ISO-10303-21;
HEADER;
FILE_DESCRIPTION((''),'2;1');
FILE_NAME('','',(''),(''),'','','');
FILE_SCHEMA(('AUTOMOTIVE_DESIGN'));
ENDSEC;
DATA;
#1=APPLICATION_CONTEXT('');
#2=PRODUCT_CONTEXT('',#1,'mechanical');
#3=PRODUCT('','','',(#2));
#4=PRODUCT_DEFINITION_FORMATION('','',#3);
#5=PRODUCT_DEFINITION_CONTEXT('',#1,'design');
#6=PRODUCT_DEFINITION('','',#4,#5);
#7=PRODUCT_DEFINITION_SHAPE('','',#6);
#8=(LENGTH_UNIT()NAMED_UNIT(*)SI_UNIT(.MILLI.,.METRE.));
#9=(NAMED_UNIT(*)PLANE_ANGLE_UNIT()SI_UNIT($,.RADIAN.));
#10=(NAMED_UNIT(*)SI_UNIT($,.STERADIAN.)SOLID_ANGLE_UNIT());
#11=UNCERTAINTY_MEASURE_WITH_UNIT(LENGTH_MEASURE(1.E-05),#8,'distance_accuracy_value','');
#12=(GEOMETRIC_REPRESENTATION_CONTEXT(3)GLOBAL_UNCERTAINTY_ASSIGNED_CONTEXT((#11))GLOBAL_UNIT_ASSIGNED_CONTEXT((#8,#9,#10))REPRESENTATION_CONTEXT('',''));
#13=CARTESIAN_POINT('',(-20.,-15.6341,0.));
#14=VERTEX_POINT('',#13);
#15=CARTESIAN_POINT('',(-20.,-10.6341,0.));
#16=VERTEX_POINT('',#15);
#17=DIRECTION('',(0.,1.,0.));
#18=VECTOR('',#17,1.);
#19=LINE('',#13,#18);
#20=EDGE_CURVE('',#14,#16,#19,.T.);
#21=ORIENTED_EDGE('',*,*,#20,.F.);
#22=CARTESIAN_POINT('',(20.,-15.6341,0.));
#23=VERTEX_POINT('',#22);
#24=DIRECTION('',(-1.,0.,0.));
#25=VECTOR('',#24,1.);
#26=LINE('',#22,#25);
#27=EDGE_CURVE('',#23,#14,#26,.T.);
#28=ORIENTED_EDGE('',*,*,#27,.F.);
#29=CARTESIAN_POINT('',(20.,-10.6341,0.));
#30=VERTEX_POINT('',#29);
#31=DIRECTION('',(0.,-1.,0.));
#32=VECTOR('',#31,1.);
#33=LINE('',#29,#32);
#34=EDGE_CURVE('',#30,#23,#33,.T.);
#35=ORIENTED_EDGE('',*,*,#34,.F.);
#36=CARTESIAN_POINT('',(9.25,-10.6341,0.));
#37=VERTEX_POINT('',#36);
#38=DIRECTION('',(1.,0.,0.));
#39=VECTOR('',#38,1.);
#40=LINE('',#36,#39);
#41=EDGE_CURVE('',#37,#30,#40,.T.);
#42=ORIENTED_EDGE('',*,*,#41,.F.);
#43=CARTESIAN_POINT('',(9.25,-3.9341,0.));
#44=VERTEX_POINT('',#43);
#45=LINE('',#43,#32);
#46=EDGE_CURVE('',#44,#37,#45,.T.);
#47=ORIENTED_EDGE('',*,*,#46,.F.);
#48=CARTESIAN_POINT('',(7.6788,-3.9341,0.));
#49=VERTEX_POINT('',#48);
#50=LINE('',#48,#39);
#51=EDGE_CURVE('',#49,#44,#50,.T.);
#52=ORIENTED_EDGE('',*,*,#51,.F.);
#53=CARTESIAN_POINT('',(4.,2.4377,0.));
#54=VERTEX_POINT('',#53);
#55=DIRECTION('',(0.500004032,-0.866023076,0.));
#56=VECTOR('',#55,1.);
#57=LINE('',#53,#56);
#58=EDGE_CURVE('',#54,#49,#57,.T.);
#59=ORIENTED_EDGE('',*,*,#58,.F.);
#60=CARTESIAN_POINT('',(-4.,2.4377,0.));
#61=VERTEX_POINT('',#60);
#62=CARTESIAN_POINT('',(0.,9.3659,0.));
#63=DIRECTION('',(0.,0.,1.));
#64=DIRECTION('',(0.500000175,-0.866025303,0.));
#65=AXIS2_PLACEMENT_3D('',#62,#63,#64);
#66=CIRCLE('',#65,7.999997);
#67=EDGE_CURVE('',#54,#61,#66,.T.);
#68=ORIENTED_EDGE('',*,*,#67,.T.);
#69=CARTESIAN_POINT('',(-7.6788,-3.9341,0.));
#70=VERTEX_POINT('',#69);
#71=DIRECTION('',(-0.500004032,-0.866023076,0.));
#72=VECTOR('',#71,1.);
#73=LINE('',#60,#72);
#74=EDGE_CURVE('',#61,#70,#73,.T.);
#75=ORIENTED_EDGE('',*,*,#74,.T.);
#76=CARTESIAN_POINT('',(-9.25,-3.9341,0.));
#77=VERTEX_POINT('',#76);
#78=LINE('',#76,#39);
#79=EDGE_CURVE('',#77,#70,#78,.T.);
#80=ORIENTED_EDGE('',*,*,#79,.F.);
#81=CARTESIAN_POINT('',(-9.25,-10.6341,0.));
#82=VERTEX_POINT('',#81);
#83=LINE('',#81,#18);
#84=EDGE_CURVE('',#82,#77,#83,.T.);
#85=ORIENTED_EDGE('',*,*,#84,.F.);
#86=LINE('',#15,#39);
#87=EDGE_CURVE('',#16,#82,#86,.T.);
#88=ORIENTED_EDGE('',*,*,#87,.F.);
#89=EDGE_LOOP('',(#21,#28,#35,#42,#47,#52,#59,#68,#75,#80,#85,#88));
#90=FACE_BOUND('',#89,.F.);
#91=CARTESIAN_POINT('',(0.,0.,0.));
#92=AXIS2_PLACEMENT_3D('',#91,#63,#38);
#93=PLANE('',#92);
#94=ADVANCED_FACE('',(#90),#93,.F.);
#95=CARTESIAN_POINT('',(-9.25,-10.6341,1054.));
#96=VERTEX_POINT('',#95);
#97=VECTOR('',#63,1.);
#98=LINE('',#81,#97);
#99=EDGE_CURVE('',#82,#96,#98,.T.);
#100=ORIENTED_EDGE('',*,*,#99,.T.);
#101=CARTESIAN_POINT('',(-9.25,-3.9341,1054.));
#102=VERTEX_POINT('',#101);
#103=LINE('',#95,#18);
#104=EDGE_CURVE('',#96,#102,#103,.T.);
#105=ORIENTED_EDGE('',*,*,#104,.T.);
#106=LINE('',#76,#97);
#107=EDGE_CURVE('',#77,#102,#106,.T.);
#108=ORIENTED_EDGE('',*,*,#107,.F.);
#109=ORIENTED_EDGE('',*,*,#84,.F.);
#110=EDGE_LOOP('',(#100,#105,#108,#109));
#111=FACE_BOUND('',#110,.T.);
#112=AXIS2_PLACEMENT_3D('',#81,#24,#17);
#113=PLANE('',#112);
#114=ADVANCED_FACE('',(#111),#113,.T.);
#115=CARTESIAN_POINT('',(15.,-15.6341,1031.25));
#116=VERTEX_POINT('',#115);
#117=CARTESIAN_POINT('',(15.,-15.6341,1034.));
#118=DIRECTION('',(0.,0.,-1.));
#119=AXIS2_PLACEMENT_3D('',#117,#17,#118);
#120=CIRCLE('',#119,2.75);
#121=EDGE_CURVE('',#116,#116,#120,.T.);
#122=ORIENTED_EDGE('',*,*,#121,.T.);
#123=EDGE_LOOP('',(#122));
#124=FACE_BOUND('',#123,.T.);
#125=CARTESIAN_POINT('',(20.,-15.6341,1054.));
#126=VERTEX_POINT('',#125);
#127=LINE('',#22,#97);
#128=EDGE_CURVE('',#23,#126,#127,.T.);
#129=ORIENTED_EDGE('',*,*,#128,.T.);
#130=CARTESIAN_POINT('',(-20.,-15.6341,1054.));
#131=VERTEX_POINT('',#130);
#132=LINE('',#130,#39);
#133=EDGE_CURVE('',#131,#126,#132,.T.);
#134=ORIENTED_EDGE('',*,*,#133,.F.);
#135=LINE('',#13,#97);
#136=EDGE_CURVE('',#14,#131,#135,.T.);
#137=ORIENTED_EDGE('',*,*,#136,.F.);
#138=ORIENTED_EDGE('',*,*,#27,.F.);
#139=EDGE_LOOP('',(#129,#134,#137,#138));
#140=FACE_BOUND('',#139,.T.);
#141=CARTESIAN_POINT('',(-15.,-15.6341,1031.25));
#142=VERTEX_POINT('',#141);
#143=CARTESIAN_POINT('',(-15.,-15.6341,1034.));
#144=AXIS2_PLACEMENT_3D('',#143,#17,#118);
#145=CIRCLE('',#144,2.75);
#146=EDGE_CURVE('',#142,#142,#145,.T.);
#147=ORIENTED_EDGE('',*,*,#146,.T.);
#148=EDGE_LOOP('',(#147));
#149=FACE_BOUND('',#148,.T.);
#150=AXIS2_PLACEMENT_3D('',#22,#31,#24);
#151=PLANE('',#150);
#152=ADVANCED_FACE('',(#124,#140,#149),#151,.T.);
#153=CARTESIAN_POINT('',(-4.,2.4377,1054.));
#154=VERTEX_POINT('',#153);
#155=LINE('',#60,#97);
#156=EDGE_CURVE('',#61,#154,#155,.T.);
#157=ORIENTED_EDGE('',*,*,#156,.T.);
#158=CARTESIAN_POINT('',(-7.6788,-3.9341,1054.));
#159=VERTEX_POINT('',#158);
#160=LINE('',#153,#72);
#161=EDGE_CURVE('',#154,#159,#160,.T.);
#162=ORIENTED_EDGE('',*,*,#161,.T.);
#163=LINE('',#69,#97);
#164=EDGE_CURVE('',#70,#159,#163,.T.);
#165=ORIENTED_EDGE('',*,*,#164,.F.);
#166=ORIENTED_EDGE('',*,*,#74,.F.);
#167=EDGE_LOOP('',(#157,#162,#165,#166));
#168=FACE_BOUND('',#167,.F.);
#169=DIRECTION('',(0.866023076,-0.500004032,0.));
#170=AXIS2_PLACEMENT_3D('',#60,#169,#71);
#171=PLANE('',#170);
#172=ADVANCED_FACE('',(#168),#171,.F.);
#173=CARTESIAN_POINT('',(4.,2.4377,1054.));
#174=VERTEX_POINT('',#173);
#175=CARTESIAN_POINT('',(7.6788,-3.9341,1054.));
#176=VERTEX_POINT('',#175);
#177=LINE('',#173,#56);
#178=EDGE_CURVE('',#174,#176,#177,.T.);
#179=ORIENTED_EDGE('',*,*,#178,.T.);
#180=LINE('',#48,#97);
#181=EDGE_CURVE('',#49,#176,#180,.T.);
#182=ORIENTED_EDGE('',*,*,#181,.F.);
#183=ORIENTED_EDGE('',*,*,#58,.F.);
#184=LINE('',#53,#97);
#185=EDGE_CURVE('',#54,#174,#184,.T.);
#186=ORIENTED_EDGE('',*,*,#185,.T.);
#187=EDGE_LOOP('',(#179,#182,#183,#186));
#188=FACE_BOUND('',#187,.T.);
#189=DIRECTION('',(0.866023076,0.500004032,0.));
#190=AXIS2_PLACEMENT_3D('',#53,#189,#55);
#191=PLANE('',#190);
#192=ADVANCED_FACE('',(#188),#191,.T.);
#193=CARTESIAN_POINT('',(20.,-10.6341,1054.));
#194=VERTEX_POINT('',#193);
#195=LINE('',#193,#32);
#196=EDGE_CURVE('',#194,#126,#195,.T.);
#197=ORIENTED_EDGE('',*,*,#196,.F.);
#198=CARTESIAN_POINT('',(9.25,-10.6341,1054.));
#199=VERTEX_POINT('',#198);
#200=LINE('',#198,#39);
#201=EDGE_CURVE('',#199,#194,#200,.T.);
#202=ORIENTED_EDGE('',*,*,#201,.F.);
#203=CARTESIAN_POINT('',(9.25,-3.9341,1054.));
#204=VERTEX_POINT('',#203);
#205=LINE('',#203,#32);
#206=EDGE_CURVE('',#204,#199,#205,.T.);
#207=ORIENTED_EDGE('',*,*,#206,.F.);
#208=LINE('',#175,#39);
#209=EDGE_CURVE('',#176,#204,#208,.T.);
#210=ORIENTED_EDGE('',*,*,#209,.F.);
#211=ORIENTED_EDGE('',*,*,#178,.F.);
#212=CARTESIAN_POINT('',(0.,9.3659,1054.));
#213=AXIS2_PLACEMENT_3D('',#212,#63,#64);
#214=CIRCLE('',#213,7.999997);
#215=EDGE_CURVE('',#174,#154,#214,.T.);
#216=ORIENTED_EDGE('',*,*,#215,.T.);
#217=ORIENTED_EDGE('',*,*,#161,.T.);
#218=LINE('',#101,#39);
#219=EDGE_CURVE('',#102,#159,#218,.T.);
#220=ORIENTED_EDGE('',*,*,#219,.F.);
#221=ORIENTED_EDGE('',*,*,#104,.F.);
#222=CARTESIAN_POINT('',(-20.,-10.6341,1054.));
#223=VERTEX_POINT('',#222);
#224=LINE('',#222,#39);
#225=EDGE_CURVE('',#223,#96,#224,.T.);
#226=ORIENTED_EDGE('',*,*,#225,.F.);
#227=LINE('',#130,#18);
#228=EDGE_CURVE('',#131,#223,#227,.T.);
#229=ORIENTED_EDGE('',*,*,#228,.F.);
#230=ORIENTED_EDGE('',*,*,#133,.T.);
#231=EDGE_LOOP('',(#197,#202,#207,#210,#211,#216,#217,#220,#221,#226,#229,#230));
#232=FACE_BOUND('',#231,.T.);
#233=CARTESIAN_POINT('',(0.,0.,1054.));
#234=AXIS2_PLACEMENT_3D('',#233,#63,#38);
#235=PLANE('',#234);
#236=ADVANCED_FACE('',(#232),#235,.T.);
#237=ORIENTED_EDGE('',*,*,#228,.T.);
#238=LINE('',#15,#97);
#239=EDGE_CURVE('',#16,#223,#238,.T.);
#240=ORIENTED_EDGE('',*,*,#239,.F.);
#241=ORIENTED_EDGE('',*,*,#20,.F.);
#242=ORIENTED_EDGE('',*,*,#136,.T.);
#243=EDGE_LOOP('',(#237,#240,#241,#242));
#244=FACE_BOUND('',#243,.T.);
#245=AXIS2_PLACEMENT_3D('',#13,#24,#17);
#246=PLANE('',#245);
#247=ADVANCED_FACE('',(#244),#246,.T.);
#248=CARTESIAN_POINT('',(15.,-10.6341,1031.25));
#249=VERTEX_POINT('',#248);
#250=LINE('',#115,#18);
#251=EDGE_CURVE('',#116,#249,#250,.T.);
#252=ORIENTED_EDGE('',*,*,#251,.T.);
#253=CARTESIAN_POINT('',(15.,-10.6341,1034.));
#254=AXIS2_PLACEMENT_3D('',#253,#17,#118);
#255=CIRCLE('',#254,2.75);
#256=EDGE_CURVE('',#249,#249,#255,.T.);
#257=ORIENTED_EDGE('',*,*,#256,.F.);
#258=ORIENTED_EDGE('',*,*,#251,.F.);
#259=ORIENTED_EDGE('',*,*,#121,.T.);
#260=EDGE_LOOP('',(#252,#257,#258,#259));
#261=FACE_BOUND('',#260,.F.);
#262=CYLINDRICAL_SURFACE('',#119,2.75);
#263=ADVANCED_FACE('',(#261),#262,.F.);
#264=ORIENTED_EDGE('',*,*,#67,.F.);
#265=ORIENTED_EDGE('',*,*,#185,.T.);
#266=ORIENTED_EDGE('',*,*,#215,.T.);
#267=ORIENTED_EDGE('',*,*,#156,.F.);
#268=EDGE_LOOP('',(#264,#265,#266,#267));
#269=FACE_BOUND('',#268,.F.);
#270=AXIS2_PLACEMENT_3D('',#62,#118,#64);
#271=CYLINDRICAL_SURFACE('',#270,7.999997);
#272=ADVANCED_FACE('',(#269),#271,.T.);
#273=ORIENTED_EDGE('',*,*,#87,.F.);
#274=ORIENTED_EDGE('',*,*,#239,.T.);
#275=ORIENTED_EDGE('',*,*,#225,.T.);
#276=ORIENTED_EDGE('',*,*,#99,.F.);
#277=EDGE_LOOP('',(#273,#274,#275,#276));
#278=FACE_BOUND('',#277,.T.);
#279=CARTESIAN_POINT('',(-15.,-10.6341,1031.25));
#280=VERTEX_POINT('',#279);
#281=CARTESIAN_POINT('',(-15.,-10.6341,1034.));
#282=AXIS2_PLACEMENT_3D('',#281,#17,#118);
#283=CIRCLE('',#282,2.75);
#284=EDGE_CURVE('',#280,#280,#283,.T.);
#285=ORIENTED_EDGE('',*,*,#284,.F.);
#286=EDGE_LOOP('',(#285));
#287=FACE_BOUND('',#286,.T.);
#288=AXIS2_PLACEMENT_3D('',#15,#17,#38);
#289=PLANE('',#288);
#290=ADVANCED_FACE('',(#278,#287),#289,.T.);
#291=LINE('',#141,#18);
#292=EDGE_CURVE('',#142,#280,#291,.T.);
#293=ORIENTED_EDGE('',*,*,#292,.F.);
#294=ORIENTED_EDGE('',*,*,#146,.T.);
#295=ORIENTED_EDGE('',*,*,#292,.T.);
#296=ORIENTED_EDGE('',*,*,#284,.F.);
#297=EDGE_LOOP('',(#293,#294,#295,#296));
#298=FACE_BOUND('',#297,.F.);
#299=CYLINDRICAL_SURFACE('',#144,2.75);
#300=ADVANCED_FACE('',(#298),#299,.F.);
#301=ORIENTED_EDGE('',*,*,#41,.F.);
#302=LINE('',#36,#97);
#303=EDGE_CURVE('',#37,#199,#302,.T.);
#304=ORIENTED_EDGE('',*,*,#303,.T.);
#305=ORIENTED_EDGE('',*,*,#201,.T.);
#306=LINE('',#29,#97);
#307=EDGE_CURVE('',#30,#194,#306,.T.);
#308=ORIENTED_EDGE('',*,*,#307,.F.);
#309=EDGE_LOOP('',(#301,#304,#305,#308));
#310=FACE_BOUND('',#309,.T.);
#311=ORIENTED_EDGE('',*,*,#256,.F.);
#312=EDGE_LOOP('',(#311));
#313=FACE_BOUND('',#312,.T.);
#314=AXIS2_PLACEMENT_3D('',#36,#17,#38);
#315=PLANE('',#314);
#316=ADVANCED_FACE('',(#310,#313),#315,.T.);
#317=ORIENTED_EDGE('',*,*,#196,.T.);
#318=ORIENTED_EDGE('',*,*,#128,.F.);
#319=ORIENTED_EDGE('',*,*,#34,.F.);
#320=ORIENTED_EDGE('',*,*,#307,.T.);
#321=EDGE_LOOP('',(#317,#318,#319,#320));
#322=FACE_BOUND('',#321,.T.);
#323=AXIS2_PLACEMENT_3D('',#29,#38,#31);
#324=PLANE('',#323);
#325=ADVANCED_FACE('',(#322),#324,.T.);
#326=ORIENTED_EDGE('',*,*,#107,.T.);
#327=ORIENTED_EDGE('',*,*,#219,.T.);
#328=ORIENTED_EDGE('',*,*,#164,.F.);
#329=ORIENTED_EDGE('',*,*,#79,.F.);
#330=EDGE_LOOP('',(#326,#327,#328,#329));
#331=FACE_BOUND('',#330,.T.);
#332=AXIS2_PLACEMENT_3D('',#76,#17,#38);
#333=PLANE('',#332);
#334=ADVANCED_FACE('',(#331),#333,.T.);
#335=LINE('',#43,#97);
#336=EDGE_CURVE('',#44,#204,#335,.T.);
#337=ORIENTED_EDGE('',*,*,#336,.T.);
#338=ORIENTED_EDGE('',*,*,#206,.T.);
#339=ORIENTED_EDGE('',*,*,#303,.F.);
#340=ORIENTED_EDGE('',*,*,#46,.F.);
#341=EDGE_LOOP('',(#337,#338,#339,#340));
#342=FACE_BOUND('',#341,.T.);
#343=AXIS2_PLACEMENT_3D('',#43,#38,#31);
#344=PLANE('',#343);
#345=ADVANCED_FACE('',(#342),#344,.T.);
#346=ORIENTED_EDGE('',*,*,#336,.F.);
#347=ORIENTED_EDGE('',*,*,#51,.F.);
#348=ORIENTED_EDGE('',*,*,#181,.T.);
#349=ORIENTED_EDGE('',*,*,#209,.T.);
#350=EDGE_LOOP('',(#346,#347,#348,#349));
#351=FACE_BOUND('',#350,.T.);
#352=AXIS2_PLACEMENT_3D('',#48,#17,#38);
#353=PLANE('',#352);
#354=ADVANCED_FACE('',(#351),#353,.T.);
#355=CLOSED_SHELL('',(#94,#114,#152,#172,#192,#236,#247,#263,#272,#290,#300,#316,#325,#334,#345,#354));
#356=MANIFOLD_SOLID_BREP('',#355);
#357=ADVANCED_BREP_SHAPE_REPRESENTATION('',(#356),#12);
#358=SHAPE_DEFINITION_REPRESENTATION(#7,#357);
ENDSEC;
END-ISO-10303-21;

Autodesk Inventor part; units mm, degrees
ref_plane "YZ Plane" through (0, 0, 0) normal (1, 0, 0) x (0, 1, 0)
ref_plane "XZ Plane" through (0, 0, 0) normal (0, 1, 0) x (-1, 0, 0)
ref_plane "XY Plane" through (0, 0, 0) normal (0, 0, 1) x (1, 0, 0)
sketch "Esboço1" plane through (0, 0, 0) normal (0, 0, 1) x (1, 0, 0)
  arc A0 (4, 2.4377) -> (-4, 2.4377) centre (0, 9.3659) ccw
  line L0 (9.25, -3.9341) -> (9.25, -10.6341)
  line L1 (-9.25, -10.6341) -> (-9.25, -3.9341)
  line L2 (4, -15.6341) -> (-4, -15.6341)
  line L3 (20, -15.6341) -> (-20, -15.6341)
  line L4 (-20, -15.6341) -> (-20, -10.6341)
  line L5 (20, -10.6341) -> (20, -15.6341)
  line L6 (7.6788, -3.9341) -> (9.25, -3.9341)
  line L7 (-9.25, -3.9341) -> (-7.6788, -3.9341)
  line L8 (9.25, -10.6341) -> (20, -10.6341)
  line L9 (-20, -10.6341) -> (-9.25, -10.6341)
  line L10 (-4, 2.4377) -> (-7.6788, -3.9341)
  line L11 (-17.4151, -20.798) -> (-22.4188, -29.4646)
  line L12 (17.4151, -20.798) -> (23.6527, -31.6017)
  line L13 (9.25, -15.6341) -> (4, -15.6341)
  line L14 (0, -15.6341) -> (-9.25, -15.6341)
  line L15 (4, 2.4377) -> (7.6788, -3.9341)
  dimension "d6" = 16
  dimension "d7" = 25
  dimension "d8" = 18.5
  dimension "d9" = 11.7
  dimension "d10" = 8
  dimension "d13" = 5
  dimension "d14" = 40
extrude "Extrusão1" add sketch "Esboço1" along normal blind 1054
sketch "Esboço3" plane through (-20, -15.6341, 0) normal (0, -1, 0) x (1, 0, 0)
  line L0 (0, 1054) -> (40, 1054) construction
  line L1 (20, 1054) -> (20, 0) construction
  line L2 (20, 1034) -> (5, 1034) construction
  line L3 (5, 1034) -> (20, 1034) construction
  line L4 (20, 1034) -> (35, 1034) construction
  circle A0 centre (5, 1034) radius 2.75
  circle A1 centre (35, 1034) radius 2.75
  line L5 (40, 0) -> (0, 0) construction
  dimension "d18" = 15
  dimension "d19" = 15
  dimension "d20" = 5.5
  dimension "d21" = 5.5
  dimension "d22" = 20
hole "Furo1" at (-15, -15.6341, 1034) at (15, -15.6341, 1034) direction (0, 1, 0) diameter 5.5 depth 8 tip angle 118
properties part number "SBR16_EIXO_Y_2"
